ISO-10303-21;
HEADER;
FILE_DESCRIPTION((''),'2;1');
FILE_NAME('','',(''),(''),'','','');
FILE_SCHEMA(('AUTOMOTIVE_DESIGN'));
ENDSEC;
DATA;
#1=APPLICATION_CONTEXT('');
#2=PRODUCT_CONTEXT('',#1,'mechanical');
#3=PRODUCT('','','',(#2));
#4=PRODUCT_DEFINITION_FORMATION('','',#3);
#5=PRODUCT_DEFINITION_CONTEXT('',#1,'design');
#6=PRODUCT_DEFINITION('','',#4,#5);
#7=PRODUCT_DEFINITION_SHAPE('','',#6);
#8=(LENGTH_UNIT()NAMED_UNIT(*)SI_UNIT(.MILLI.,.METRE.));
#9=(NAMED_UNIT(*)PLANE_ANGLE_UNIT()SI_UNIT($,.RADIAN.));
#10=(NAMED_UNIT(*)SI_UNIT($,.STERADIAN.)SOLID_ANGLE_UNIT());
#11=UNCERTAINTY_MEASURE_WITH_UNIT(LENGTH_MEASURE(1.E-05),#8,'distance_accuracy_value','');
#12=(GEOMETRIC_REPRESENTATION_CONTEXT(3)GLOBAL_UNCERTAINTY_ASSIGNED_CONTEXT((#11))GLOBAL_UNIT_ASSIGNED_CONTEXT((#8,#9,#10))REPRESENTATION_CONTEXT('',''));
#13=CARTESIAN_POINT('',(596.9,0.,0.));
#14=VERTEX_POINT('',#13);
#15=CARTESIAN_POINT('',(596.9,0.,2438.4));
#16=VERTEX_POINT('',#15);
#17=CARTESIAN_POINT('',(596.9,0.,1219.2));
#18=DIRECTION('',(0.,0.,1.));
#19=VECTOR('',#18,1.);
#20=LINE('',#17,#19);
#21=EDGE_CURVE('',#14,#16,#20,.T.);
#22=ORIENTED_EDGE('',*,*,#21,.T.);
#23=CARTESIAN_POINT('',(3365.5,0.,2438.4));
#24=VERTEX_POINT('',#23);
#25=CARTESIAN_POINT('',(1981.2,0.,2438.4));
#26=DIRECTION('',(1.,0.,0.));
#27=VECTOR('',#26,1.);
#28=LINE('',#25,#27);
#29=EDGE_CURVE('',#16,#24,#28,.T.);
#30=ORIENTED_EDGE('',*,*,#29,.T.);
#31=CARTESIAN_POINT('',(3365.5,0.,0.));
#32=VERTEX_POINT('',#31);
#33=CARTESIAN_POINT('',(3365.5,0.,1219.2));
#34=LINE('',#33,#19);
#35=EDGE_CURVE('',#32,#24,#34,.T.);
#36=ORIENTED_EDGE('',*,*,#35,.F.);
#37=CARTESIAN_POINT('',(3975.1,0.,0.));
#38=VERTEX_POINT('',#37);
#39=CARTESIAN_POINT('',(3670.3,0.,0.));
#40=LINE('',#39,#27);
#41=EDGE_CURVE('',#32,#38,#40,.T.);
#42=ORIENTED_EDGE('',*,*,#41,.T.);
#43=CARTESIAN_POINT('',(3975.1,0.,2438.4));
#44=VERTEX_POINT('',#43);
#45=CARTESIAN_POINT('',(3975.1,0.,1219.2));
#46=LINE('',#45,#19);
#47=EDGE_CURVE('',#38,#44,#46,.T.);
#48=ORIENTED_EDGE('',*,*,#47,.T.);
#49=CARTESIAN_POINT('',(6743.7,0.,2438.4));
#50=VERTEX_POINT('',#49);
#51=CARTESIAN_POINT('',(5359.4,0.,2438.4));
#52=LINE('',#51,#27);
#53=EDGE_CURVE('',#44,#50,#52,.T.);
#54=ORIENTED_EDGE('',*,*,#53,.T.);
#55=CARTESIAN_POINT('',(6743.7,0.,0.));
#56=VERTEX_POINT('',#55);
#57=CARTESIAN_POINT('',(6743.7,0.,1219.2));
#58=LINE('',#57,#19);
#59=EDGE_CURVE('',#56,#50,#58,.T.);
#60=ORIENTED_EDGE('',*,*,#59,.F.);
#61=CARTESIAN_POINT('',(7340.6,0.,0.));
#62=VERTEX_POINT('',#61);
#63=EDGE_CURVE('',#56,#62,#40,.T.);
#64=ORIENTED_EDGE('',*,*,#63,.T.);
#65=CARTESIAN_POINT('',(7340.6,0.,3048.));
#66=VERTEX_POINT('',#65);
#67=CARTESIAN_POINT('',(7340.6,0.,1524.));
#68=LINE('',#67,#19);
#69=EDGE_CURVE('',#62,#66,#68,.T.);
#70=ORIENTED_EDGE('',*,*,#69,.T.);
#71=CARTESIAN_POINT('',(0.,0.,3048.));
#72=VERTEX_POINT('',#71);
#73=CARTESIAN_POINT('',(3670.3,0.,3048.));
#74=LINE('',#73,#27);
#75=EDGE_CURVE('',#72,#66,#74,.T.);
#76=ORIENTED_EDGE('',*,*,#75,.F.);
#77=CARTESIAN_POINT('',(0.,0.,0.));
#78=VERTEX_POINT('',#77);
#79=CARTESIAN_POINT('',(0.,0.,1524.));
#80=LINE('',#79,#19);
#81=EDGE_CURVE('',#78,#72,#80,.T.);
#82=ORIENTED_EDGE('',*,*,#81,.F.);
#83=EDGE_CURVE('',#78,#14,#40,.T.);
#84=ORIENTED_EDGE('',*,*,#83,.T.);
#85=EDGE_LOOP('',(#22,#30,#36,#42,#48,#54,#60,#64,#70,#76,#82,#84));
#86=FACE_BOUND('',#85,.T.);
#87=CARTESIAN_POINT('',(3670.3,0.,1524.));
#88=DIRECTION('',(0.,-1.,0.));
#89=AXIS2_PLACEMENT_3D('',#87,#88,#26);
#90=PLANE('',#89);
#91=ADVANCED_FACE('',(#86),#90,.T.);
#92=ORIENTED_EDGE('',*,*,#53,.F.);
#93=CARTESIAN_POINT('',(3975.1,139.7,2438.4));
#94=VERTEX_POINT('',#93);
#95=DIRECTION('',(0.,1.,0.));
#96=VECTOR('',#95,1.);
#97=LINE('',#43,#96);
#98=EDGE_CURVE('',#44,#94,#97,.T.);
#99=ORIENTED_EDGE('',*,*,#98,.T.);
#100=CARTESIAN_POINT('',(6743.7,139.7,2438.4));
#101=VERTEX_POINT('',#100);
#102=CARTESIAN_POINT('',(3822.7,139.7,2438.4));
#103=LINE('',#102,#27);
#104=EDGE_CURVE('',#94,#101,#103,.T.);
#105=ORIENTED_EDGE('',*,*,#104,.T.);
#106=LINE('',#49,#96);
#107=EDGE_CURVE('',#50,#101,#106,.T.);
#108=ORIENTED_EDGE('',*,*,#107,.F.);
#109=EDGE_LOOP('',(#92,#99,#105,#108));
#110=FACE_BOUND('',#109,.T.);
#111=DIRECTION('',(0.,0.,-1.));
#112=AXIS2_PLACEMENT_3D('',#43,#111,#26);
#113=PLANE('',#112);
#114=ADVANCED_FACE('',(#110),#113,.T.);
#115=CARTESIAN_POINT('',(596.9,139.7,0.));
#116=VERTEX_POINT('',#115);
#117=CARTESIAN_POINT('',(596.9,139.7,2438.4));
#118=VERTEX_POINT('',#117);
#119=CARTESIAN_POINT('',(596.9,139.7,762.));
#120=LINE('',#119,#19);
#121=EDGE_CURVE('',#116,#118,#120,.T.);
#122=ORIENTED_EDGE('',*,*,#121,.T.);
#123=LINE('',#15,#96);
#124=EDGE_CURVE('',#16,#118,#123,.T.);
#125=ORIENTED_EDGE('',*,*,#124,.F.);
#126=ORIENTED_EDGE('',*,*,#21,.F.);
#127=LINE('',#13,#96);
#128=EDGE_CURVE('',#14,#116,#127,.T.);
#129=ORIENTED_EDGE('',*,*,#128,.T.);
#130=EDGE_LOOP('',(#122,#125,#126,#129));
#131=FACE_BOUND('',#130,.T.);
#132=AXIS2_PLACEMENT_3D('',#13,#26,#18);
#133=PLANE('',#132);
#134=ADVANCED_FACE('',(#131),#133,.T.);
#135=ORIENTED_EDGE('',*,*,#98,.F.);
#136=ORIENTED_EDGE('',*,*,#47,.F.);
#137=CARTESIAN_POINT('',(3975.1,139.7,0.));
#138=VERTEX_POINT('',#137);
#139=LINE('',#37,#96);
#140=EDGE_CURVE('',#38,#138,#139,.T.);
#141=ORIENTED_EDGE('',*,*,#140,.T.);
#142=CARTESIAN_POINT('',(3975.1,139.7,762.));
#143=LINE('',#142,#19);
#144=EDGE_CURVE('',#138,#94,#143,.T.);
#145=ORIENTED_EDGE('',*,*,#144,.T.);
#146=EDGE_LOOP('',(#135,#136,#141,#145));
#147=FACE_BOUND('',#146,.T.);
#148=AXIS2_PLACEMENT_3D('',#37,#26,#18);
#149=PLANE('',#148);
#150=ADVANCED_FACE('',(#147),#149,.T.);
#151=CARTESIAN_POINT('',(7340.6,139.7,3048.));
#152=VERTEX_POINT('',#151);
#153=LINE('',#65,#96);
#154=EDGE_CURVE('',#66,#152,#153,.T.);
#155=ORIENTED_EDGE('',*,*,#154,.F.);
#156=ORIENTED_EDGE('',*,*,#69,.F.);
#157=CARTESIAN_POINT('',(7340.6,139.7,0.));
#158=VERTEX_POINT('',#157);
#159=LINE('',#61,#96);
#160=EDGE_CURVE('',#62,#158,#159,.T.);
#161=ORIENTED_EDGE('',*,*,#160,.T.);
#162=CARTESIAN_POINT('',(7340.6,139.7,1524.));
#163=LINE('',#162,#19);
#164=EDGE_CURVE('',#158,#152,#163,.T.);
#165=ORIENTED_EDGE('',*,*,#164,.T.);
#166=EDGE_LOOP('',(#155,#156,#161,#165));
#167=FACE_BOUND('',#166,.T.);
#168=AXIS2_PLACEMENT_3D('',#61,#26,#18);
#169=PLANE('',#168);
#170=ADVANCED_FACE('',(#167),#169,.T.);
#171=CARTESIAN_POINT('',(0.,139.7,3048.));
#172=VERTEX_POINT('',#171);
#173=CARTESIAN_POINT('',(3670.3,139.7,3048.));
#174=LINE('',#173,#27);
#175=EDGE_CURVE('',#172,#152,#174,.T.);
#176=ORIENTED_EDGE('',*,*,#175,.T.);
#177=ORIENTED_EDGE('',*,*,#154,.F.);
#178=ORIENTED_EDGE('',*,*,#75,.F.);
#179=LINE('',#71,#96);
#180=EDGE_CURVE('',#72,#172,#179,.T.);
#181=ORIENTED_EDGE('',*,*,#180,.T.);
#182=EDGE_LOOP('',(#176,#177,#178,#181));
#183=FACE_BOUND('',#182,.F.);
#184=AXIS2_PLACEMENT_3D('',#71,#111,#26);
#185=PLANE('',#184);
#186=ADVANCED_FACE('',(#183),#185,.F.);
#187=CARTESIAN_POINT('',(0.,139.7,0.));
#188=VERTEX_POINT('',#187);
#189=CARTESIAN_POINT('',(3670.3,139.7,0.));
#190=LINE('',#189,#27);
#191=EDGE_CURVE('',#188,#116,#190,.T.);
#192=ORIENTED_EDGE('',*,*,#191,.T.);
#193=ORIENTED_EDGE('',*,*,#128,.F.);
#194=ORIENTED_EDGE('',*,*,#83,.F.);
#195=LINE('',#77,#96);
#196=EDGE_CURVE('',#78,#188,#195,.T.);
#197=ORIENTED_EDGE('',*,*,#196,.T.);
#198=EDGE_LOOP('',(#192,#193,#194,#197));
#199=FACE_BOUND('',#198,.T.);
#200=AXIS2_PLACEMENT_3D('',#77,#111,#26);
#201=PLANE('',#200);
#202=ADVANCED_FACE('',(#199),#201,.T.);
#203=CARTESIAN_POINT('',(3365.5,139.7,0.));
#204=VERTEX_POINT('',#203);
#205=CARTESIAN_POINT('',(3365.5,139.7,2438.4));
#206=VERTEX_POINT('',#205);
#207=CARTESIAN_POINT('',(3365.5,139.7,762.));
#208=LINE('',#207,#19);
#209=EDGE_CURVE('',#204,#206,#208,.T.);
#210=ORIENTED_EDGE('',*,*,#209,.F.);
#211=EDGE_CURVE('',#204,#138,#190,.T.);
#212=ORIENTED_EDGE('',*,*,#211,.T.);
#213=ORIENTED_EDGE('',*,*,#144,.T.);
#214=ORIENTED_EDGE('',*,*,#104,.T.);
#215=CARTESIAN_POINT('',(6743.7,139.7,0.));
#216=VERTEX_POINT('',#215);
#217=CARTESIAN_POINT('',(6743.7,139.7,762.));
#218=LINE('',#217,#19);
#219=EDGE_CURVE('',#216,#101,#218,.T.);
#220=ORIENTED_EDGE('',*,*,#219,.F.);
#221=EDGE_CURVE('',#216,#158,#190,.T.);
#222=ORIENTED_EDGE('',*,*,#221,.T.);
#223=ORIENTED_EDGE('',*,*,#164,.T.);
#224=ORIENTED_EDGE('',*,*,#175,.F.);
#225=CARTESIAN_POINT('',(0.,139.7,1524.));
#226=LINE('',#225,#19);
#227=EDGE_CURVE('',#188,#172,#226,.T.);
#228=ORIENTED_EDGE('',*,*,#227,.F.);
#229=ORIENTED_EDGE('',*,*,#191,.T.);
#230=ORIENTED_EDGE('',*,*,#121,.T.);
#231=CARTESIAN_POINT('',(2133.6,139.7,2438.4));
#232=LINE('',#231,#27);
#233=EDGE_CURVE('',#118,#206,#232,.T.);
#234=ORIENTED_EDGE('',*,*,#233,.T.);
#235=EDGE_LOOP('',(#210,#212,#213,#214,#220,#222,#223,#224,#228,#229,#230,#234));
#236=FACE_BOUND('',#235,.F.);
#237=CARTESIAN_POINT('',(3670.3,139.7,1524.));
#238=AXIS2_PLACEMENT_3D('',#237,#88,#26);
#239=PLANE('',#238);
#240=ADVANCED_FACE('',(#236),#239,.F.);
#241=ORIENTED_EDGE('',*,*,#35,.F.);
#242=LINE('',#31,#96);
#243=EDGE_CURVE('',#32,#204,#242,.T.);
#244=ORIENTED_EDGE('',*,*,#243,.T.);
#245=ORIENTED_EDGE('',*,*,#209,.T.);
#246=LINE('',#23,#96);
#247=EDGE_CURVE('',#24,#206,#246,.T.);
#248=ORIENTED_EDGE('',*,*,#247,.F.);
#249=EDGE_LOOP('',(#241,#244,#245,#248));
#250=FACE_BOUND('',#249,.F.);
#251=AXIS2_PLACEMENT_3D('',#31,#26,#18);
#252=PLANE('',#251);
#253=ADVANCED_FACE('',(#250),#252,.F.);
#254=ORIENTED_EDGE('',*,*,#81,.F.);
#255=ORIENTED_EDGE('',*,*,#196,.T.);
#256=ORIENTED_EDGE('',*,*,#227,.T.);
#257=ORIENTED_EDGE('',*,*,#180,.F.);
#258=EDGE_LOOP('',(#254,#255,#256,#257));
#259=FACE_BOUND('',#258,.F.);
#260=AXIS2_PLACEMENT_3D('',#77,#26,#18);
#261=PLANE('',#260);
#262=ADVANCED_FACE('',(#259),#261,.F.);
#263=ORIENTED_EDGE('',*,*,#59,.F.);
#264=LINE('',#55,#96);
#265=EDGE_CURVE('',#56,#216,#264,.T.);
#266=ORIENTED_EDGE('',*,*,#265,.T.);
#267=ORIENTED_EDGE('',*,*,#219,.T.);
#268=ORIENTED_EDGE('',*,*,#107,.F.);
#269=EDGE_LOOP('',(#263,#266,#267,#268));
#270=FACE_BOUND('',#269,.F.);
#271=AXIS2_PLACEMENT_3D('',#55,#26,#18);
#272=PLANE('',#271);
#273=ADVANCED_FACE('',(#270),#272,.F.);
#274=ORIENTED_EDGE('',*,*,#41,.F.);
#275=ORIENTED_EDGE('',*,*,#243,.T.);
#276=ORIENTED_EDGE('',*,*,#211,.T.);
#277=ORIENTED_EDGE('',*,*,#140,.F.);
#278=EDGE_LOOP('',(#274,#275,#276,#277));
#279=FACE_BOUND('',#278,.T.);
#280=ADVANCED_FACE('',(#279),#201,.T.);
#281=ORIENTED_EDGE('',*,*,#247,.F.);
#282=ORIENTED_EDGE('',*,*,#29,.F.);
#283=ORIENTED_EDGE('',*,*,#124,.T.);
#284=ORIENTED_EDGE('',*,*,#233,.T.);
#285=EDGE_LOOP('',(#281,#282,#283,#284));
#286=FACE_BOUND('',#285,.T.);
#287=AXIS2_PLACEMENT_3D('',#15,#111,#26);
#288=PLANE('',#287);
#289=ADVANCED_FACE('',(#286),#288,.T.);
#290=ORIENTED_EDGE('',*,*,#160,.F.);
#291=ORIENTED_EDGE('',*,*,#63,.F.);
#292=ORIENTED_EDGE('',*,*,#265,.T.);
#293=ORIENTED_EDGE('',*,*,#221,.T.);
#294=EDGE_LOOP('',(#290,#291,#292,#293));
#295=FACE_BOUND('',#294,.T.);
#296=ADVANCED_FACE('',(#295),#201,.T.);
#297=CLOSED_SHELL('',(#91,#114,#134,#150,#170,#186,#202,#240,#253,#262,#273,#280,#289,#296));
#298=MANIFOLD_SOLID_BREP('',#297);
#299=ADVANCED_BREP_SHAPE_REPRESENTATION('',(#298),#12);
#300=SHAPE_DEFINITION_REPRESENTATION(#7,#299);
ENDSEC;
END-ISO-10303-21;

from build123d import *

# Parameters (mm, degrees)
F0_W     = 7340.6
F0_H     = 3048
F2_DEPTH = 139.7
F1_W     = 2768.6
F1_H     = 2438.4
F3_DEPTH = 139.701


with BuildPart() as f2:
    # F0 (on Front) → F2 (new body)
    with BuildSketch(Plane.XZ):
        with Locations((3670.3, 1524)):
            Rectangle(F0_W, F0_H)
    extrude(amount=-F2_DEPTH)

    # F1 (on face) → F3 (cut, through all)
    with BuildSketch(Plane.XZ):
        with Locations((1981.2, 1219.2)):
            Rectangle(F1_W, F1_H)
        with Locations((5359.4, 1219.2)):
            Rectangle(F1_W, F1_H)
    extrude(amount=-F3_DEPTH, mode=Mode.SUBTRACT)


solid = f2.part
